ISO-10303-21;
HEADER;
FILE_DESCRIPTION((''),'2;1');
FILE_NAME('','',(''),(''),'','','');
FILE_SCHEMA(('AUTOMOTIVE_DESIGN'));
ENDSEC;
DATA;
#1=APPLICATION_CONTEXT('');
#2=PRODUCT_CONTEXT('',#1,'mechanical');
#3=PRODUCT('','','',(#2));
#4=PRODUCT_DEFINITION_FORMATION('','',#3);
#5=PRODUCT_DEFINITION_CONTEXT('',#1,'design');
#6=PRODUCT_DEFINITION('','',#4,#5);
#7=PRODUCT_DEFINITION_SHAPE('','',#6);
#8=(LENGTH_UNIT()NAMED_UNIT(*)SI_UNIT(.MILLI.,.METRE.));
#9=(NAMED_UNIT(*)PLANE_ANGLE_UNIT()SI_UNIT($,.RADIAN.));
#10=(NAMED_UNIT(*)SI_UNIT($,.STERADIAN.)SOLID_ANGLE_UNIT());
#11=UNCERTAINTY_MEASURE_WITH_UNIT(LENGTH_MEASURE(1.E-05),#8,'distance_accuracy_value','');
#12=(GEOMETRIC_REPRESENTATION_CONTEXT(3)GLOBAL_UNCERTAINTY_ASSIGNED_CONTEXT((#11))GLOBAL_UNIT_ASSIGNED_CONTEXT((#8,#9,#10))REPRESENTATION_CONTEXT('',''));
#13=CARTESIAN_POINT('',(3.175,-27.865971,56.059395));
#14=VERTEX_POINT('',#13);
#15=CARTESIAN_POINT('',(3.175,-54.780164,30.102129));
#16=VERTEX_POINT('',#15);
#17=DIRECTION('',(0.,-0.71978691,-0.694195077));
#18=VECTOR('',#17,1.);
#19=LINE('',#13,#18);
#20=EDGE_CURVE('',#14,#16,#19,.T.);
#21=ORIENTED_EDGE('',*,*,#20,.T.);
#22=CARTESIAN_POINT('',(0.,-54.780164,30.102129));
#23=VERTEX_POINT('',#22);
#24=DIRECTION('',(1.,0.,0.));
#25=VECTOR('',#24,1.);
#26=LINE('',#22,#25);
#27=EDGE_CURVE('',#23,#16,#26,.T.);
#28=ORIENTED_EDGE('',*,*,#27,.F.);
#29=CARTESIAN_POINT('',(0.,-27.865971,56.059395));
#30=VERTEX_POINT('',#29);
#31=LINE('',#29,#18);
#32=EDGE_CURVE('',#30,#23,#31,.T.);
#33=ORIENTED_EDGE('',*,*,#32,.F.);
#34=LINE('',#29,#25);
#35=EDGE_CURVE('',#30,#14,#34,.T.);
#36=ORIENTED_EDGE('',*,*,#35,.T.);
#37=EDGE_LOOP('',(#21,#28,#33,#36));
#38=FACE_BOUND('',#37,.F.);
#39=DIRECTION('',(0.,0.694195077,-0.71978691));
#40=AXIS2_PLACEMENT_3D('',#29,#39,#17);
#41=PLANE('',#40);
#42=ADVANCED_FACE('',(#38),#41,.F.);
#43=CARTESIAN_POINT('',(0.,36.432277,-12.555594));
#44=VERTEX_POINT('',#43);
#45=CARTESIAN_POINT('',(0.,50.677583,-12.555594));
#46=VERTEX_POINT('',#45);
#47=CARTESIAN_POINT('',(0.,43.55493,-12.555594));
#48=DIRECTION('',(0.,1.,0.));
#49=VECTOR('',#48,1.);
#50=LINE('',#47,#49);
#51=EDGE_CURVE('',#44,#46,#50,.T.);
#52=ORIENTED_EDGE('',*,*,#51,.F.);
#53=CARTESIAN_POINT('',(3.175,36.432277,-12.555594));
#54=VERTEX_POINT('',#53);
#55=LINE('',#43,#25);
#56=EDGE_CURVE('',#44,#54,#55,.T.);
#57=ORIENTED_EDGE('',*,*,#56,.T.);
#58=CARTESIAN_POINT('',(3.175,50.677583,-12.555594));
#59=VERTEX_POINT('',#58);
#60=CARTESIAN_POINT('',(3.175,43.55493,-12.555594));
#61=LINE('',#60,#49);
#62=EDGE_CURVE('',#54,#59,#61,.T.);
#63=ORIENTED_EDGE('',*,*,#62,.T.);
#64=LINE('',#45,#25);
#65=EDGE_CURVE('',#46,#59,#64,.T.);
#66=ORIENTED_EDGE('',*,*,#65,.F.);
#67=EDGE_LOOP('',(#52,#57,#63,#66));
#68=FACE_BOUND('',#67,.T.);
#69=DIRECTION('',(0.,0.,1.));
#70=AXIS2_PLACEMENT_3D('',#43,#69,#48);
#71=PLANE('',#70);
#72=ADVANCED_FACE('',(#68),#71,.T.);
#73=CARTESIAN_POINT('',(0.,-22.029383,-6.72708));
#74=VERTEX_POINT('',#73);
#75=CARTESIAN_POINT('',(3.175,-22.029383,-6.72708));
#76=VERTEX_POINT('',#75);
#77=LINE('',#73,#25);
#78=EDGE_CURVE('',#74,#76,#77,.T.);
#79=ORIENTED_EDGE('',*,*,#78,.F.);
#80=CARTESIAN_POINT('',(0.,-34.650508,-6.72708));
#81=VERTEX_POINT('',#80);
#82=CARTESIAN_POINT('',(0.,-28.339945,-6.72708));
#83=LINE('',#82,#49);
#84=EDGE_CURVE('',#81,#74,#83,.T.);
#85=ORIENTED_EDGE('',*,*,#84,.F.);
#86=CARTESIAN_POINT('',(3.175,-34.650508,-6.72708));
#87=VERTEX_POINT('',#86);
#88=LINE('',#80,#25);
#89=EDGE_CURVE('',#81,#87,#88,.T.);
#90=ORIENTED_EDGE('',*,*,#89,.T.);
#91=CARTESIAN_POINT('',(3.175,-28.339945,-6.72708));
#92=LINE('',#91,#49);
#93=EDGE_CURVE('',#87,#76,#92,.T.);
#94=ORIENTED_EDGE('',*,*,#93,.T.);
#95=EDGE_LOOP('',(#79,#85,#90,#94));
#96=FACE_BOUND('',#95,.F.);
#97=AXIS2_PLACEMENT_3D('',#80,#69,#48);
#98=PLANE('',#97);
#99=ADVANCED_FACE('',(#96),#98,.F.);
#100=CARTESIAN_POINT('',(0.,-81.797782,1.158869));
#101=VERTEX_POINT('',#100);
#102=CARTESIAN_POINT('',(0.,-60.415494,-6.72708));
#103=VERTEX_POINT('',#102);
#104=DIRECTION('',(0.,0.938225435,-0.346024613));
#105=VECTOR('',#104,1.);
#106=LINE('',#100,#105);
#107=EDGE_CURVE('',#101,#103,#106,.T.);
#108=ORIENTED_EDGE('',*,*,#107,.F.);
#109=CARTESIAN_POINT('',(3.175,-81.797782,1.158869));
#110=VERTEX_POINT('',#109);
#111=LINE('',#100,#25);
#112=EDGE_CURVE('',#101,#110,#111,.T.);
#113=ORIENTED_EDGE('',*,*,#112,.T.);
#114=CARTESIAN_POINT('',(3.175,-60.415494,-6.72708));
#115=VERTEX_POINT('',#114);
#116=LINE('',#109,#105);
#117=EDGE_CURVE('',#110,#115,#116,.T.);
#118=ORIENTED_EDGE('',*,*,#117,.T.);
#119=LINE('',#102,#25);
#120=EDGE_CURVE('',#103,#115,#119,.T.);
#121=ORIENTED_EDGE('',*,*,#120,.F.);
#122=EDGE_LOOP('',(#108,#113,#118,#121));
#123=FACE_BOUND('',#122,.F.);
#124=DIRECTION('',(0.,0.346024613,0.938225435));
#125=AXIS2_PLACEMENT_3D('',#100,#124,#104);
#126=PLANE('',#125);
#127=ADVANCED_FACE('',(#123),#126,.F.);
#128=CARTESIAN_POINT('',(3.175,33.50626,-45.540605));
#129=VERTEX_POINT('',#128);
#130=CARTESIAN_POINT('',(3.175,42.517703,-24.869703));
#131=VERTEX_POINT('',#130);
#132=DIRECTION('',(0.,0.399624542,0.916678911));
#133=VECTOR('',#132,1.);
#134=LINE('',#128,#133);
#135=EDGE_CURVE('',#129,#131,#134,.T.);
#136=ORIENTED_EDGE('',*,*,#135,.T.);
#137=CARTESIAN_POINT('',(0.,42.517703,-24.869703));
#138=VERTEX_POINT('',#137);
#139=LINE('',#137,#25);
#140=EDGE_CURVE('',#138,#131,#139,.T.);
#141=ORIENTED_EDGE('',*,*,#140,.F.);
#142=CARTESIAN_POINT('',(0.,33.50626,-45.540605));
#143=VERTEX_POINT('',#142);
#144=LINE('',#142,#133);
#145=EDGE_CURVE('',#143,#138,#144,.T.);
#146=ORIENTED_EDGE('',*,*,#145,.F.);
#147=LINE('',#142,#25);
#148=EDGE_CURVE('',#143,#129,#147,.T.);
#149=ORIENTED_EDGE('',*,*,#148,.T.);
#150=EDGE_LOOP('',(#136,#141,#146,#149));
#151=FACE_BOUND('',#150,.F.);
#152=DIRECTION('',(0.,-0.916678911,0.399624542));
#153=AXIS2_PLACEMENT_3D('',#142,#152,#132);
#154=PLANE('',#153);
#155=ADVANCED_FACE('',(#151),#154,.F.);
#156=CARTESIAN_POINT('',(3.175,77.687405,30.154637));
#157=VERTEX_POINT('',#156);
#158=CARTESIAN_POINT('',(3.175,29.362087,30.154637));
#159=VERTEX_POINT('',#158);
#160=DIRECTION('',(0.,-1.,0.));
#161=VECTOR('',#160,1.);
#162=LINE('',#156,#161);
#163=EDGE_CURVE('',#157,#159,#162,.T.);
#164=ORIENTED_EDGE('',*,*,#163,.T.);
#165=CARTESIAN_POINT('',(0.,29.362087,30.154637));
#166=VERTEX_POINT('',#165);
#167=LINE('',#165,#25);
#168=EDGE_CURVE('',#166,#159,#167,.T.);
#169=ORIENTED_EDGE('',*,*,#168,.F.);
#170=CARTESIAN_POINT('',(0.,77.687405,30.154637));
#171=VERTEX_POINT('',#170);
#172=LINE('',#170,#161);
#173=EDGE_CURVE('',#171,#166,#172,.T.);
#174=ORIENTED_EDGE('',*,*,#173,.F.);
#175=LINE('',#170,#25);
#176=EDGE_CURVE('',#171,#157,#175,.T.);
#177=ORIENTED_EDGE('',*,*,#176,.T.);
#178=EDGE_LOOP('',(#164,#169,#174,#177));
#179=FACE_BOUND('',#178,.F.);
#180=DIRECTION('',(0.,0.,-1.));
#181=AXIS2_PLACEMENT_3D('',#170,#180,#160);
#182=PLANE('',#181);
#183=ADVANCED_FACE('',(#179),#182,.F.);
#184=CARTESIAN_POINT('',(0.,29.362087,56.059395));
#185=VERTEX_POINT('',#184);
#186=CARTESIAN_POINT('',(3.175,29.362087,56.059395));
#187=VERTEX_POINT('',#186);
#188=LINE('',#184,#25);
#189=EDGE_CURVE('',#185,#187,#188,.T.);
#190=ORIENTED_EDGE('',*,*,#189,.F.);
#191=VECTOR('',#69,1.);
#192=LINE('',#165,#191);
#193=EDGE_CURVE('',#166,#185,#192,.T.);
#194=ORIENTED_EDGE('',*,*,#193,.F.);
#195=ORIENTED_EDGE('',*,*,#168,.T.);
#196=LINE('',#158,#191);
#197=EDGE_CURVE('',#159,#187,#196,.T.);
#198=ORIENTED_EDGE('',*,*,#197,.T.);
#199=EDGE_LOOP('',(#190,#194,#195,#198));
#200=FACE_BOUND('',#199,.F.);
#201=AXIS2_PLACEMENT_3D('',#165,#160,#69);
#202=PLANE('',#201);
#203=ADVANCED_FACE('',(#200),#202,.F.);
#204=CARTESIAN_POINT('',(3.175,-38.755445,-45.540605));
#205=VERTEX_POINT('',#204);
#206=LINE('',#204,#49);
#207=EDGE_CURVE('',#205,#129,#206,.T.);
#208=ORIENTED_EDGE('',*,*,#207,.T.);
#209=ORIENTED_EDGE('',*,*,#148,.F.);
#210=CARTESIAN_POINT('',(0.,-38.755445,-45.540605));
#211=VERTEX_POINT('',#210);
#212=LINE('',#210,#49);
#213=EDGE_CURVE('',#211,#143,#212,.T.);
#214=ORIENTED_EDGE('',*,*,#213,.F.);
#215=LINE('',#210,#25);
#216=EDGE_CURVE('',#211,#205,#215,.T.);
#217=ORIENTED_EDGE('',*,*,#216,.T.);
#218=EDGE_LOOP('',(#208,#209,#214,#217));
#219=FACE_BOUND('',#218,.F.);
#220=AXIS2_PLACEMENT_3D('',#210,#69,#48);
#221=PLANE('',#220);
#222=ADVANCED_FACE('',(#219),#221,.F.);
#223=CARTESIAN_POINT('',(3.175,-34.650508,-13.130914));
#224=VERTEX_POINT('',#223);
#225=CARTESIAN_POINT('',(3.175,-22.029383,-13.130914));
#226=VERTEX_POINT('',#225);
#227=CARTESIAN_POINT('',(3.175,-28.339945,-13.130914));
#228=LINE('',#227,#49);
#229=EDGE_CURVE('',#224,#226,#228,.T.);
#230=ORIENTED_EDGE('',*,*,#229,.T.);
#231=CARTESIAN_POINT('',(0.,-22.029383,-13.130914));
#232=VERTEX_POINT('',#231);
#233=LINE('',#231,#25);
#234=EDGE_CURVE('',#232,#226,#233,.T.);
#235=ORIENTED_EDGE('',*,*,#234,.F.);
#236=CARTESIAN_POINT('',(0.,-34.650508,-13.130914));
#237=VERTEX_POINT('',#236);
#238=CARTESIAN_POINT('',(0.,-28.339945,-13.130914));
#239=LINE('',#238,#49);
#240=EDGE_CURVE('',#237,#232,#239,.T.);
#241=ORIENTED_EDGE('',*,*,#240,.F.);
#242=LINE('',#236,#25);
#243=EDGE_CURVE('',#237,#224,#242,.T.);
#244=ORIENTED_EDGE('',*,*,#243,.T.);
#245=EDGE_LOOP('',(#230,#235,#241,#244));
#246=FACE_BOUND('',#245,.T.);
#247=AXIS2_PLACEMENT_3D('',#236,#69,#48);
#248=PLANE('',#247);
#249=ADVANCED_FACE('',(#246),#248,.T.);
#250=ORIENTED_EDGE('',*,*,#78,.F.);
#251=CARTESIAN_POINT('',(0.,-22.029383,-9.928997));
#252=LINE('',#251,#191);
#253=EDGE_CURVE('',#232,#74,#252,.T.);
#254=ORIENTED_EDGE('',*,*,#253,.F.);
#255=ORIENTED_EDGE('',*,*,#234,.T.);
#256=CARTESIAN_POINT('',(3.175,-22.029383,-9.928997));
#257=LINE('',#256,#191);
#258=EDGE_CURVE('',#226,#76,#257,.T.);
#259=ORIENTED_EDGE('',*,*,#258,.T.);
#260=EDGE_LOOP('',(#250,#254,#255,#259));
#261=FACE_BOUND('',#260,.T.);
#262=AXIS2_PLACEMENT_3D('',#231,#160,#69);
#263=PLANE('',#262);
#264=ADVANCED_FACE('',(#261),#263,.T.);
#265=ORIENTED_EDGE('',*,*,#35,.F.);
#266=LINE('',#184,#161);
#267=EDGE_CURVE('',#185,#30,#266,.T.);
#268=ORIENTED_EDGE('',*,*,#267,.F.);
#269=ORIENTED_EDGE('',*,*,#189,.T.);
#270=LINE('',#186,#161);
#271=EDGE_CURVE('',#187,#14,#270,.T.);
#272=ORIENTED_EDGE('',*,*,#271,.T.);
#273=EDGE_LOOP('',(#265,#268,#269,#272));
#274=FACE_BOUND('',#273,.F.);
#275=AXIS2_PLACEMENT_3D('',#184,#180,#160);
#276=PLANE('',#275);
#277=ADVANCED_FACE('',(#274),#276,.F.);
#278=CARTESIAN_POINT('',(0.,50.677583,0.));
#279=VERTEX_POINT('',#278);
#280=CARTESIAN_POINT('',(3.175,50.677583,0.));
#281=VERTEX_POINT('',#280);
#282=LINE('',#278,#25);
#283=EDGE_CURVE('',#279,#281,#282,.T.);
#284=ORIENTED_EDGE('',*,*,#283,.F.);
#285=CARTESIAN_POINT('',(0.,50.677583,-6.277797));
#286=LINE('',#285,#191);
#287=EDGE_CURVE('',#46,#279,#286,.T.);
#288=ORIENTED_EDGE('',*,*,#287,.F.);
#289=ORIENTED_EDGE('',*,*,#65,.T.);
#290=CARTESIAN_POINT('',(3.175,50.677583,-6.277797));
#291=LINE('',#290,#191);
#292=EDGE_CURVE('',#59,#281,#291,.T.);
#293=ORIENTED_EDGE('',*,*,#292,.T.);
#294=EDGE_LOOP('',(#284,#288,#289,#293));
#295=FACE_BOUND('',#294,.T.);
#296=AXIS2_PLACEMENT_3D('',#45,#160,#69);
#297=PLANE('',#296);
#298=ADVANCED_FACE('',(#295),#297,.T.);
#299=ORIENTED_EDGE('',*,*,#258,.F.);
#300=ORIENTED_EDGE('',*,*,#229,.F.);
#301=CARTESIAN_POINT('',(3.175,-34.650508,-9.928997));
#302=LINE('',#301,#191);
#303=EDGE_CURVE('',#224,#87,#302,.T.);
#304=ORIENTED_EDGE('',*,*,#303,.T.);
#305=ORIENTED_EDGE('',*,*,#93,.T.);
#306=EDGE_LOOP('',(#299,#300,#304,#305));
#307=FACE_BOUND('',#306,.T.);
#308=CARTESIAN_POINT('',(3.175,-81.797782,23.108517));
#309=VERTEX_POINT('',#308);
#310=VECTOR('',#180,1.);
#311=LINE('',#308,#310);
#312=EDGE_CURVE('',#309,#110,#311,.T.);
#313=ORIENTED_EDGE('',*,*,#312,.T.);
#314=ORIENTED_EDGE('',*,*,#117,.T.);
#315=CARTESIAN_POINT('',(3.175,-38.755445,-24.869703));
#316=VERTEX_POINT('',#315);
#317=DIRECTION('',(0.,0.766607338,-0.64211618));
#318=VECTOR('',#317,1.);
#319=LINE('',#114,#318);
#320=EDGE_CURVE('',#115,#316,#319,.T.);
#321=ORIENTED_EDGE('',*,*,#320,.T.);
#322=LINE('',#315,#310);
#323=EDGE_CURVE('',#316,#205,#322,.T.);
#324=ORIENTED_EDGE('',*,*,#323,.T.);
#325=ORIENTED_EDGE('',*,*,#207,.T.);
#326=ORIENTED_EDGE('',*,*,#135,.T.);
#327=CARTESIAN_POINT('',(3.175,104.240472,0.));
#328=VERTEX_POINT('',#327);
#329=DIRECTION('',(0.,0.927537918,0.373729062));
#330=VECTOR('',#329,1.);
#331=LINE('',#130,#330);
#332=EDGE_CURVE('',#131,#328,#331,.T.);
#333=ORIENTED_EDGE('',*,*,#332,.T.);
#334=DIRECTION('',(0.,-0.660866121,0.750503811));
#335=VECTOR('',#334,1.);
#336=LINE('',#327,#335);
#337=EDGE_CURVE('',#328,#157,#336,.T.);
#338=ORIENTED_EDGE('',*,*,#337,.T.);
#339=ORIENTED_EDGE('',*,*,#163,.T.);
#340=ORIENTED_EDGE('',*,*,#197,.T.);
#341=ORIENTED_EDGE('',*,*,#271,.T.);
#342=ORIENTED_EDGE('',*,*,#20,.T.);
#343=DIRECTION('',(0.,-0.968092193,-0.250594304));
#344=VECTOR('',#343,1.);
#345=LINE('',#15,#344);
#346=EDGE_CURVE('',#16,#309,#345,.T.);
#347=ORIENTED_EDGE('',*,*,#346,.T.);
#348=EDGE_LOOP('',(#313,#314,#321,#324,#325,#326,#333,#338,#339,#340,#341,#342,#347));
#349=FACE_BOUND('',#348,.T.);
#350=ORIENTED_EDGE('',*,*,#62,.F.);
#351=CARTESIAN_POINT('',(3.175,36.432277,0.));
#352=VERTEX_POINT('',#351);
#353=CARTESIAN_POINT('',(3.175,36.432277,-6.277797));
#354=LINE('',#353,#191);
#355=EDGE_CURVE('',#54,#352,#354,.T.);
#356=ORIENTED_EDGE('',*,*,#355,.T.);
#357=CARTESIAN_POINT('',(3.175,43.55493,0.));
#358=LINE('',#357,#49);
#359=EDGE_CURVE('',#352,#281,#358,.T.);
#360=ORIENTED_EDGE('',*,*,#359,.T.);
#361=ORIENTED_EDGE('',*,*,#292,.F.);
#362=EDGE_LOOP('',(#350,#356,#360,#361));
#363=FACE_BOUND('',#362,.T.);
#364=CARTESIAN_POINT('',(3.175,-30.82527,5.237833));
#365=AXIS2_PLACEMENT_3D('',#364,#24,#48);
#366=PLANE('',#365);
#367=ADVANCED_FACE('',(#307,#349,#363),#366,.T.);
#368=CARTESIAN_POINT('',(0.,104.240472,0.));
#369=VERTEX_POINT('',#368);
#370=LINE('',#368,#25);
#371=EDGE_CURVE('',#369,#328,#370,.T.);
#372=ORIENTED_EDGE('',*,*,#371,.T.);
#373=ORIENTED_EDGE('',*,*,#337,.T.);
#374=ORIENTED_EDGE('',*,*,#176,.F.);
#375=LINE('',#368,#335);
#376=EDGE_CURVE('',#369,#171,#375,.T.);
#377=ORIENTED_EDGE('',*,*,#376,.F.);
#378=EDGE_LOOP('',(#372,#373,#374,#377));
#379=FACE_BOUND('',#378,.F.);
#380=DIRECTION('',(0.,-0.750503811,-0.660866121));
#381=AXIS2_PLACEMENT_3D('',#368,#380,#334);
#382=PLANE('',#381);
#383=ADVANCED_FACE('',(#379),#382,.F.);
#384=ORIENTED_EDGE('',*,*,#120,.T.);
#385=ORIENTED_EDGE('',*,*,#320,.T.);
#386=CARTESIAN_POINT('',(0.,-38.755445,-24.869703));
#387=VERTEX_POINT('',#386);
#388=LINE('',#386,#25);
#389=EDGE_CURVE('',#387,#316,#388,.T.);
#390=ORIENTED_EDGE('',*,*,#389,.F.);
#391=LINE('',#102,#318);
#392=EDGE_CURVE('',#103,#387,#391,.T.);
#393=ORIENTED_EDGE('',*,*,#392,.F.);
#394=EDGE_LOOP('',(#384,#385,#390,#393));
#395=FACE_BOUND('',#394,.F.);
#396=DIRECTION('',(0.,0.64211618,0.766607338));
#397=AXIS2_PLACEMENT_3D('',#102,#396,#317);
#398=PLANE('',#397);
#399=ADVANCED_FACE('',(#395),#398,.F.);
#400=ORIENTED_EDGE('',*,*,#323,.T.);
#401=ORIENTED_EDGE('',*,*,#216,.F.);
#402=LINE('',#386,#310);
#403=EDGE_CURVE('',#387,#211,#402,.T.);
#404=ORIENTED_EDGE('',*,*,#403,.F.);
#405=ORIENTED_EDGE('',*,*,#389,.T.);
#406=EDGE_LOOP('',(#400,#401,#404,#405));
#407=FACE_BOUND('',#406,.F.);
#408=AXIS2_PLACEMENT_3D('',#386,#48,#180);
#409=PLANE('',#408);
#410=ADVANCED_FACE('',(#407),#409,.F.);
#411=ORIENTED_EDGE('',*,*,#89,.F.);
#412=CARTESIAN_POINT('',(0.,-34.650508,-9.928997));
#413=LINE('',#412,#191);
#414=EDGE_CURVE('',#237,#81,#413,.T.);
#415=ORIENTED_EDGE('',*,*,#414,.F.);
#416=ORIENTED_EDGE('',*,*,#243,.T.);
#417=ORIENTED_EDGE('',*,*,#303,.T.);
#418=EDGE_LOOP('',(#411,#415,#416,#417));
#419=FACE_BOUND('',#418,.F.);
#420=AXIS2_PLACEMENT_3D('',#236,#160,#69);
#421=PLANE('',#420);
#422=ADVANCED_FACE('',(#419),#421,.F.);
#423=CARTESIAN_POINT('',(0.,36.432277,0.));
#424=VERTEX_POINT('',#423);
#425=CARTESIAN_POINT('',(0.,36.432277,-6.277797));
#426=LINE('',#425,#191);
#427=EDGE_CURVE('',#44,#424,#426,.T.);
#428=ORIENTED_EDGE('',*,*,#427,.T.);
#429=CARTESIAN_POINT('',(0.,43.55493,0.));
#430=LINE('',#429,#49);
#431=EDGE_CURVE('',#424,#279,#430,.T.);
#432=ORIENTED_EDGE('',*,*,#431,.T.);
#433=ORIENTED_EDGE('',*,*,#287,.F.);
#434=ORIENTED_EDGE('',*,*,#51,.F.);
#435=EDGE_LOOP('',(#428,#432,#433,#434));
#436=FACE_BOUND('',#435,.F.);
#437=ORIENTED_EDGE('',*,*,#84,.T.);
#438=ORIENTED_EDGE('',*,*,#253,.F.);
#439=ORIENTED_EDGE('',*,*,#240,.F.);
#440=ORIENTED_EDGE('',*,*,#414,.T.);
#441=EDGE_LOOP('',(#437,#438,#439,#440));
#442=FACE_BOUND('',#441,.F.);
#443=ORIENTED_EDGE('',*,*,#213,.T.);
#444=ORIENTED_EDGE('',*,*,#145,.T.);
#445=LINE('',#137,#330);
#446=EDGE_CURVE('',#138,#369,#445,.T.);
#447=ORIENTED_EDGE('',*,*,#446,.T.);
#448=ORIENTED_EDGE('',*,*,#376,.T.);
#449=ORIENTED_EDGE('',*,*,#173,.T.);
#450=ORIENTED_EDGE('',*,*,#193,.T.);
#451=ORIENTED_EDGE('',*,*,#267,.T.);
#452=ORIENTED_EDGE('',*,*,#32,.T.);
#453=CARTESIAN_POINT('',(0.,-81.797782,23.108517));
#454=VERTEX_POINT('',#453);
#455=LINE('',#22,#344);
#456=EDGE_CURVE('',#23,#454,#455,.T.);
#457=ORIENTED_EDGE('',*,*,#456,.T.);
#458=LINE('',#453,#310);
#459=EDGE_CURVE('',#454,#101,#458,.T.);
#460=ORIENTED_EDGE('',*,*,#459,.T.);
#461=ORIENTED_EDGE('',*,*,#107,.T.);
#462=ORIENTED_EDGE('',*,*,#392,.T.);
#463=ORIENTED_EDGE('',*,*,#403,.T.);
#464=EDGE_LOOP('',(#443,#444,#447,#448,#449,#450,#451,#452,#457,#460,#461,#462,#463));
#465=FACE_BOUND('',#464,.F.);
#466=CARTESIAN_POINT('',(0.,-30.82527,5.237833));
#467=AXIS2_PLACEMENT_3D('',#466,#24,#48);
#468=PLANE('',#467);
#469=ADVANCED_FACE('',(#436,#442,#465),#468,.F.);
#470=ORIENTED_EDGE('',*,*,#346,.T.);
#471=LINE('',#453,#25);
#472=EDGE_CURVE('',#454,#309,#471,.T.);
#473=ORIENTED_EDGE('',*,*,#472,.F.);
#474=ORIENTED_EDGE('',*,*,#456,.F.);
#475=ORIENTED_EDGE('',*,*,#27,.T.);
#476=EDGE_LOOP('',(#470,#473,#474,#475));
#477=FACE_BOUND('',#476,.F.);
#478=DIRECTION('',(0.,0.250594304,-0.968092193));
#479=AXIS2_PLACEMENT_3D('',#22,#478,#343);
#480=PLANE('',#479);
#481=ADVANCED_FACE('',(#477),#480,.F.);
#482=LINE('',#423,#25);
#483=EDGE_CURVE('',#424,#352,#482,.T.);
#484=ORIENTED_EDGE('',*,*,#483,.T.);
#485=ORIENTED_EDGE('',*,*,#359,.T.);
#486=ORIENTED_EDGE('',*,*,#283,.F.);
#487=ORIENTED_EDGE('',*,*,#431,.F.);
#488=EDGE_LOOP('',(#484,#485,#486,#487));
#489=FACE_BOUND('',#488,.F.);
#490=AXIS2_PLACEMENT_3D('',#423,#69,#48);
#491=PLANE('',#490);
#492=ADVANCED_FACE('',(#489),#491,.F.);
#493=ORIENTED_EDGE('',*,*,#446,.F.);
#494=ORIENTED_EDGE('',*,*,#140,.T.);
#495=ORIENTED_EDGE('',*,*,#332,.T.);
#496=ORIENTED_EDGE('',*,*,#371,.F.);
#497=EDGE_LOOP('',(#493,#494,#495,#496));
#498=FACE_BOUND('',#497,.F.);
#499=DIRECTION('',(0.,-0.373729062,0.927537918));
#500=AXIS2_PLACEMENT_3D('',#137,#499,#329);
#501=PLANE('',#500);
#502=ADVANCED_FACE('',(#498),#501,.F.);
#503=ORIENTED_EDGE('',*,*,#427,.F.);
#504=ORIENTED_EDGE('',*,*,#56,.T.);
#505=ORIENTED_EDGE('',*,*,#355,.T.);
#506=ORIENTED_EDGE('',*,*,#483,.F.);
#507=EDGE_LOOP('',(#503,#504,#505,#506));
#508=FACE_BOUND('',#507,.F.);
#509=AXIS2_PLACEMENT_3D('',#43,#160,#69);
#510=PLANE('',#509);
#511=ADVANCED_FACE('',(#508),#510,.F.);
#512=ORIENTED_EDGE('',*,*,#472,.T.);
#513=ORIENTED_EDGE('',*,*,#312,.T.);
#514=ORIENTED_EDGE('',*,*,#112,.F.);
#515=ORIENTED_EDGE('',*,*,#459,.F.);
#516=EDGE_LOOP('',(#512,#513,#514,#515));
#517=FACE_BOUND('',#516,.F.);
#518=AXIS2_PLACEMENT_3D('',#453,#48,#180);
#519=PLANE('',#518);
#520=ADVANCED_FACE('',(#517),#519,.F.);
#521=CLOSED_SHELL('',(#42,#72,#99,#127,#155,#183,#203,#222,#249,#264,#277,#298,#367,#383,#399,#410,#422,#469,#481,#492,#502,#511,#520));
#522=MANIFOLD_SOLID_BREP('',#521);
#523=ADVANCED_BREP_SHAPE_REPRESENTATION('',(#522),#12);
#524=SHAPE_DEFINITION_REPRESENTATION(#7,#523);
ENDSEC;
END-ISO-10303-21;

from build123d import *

# Parameters (mm, degrees)
F1_W     = 12.621125
F1_H     = 6.403833
F1_W_2   = 14.245306
F1_H_2   = 12.555593
F0_DEPTH = 3.175


with BuildPart() as f0:
    # F1 (on Right) → F0 (new body)
    with BuildSketch(Plane.YZ):
        Polygon((-27.865971, 56.059395), (-54.780164, 30.102129), (-81.797782, 23.108517), (-81.797782, 1.158869), (-60.415494, -6.72708), (-38.755445, -24.869703), (-38.755445, -45.540605), (0.748058, -45.540605), (0.748058, 56.059395), align=None)
        with Locations((-28.339945, -9.928997)):
            Rectangle(F1_W, F1_H, mode=Mode.SUBTRACT)
        Polygon((29.362087, 56.059395), (0.748058, 56.059395), (0.748058, -45.540605), (12.285572, -45.540605), (33.50626, -45.540605), (42.517703, -24.869703), (104.240472, 0), (77.687405, 30.154637), (29.362087, 30.154637), align=None)
        with Locations((43.55493, -6.277797)):
            Rectangle(F1_W_2, F1_H_2, mode=Mode.SUBTRACT)
    extrude(amount=F0_DEPTH)


solid = f0.part
